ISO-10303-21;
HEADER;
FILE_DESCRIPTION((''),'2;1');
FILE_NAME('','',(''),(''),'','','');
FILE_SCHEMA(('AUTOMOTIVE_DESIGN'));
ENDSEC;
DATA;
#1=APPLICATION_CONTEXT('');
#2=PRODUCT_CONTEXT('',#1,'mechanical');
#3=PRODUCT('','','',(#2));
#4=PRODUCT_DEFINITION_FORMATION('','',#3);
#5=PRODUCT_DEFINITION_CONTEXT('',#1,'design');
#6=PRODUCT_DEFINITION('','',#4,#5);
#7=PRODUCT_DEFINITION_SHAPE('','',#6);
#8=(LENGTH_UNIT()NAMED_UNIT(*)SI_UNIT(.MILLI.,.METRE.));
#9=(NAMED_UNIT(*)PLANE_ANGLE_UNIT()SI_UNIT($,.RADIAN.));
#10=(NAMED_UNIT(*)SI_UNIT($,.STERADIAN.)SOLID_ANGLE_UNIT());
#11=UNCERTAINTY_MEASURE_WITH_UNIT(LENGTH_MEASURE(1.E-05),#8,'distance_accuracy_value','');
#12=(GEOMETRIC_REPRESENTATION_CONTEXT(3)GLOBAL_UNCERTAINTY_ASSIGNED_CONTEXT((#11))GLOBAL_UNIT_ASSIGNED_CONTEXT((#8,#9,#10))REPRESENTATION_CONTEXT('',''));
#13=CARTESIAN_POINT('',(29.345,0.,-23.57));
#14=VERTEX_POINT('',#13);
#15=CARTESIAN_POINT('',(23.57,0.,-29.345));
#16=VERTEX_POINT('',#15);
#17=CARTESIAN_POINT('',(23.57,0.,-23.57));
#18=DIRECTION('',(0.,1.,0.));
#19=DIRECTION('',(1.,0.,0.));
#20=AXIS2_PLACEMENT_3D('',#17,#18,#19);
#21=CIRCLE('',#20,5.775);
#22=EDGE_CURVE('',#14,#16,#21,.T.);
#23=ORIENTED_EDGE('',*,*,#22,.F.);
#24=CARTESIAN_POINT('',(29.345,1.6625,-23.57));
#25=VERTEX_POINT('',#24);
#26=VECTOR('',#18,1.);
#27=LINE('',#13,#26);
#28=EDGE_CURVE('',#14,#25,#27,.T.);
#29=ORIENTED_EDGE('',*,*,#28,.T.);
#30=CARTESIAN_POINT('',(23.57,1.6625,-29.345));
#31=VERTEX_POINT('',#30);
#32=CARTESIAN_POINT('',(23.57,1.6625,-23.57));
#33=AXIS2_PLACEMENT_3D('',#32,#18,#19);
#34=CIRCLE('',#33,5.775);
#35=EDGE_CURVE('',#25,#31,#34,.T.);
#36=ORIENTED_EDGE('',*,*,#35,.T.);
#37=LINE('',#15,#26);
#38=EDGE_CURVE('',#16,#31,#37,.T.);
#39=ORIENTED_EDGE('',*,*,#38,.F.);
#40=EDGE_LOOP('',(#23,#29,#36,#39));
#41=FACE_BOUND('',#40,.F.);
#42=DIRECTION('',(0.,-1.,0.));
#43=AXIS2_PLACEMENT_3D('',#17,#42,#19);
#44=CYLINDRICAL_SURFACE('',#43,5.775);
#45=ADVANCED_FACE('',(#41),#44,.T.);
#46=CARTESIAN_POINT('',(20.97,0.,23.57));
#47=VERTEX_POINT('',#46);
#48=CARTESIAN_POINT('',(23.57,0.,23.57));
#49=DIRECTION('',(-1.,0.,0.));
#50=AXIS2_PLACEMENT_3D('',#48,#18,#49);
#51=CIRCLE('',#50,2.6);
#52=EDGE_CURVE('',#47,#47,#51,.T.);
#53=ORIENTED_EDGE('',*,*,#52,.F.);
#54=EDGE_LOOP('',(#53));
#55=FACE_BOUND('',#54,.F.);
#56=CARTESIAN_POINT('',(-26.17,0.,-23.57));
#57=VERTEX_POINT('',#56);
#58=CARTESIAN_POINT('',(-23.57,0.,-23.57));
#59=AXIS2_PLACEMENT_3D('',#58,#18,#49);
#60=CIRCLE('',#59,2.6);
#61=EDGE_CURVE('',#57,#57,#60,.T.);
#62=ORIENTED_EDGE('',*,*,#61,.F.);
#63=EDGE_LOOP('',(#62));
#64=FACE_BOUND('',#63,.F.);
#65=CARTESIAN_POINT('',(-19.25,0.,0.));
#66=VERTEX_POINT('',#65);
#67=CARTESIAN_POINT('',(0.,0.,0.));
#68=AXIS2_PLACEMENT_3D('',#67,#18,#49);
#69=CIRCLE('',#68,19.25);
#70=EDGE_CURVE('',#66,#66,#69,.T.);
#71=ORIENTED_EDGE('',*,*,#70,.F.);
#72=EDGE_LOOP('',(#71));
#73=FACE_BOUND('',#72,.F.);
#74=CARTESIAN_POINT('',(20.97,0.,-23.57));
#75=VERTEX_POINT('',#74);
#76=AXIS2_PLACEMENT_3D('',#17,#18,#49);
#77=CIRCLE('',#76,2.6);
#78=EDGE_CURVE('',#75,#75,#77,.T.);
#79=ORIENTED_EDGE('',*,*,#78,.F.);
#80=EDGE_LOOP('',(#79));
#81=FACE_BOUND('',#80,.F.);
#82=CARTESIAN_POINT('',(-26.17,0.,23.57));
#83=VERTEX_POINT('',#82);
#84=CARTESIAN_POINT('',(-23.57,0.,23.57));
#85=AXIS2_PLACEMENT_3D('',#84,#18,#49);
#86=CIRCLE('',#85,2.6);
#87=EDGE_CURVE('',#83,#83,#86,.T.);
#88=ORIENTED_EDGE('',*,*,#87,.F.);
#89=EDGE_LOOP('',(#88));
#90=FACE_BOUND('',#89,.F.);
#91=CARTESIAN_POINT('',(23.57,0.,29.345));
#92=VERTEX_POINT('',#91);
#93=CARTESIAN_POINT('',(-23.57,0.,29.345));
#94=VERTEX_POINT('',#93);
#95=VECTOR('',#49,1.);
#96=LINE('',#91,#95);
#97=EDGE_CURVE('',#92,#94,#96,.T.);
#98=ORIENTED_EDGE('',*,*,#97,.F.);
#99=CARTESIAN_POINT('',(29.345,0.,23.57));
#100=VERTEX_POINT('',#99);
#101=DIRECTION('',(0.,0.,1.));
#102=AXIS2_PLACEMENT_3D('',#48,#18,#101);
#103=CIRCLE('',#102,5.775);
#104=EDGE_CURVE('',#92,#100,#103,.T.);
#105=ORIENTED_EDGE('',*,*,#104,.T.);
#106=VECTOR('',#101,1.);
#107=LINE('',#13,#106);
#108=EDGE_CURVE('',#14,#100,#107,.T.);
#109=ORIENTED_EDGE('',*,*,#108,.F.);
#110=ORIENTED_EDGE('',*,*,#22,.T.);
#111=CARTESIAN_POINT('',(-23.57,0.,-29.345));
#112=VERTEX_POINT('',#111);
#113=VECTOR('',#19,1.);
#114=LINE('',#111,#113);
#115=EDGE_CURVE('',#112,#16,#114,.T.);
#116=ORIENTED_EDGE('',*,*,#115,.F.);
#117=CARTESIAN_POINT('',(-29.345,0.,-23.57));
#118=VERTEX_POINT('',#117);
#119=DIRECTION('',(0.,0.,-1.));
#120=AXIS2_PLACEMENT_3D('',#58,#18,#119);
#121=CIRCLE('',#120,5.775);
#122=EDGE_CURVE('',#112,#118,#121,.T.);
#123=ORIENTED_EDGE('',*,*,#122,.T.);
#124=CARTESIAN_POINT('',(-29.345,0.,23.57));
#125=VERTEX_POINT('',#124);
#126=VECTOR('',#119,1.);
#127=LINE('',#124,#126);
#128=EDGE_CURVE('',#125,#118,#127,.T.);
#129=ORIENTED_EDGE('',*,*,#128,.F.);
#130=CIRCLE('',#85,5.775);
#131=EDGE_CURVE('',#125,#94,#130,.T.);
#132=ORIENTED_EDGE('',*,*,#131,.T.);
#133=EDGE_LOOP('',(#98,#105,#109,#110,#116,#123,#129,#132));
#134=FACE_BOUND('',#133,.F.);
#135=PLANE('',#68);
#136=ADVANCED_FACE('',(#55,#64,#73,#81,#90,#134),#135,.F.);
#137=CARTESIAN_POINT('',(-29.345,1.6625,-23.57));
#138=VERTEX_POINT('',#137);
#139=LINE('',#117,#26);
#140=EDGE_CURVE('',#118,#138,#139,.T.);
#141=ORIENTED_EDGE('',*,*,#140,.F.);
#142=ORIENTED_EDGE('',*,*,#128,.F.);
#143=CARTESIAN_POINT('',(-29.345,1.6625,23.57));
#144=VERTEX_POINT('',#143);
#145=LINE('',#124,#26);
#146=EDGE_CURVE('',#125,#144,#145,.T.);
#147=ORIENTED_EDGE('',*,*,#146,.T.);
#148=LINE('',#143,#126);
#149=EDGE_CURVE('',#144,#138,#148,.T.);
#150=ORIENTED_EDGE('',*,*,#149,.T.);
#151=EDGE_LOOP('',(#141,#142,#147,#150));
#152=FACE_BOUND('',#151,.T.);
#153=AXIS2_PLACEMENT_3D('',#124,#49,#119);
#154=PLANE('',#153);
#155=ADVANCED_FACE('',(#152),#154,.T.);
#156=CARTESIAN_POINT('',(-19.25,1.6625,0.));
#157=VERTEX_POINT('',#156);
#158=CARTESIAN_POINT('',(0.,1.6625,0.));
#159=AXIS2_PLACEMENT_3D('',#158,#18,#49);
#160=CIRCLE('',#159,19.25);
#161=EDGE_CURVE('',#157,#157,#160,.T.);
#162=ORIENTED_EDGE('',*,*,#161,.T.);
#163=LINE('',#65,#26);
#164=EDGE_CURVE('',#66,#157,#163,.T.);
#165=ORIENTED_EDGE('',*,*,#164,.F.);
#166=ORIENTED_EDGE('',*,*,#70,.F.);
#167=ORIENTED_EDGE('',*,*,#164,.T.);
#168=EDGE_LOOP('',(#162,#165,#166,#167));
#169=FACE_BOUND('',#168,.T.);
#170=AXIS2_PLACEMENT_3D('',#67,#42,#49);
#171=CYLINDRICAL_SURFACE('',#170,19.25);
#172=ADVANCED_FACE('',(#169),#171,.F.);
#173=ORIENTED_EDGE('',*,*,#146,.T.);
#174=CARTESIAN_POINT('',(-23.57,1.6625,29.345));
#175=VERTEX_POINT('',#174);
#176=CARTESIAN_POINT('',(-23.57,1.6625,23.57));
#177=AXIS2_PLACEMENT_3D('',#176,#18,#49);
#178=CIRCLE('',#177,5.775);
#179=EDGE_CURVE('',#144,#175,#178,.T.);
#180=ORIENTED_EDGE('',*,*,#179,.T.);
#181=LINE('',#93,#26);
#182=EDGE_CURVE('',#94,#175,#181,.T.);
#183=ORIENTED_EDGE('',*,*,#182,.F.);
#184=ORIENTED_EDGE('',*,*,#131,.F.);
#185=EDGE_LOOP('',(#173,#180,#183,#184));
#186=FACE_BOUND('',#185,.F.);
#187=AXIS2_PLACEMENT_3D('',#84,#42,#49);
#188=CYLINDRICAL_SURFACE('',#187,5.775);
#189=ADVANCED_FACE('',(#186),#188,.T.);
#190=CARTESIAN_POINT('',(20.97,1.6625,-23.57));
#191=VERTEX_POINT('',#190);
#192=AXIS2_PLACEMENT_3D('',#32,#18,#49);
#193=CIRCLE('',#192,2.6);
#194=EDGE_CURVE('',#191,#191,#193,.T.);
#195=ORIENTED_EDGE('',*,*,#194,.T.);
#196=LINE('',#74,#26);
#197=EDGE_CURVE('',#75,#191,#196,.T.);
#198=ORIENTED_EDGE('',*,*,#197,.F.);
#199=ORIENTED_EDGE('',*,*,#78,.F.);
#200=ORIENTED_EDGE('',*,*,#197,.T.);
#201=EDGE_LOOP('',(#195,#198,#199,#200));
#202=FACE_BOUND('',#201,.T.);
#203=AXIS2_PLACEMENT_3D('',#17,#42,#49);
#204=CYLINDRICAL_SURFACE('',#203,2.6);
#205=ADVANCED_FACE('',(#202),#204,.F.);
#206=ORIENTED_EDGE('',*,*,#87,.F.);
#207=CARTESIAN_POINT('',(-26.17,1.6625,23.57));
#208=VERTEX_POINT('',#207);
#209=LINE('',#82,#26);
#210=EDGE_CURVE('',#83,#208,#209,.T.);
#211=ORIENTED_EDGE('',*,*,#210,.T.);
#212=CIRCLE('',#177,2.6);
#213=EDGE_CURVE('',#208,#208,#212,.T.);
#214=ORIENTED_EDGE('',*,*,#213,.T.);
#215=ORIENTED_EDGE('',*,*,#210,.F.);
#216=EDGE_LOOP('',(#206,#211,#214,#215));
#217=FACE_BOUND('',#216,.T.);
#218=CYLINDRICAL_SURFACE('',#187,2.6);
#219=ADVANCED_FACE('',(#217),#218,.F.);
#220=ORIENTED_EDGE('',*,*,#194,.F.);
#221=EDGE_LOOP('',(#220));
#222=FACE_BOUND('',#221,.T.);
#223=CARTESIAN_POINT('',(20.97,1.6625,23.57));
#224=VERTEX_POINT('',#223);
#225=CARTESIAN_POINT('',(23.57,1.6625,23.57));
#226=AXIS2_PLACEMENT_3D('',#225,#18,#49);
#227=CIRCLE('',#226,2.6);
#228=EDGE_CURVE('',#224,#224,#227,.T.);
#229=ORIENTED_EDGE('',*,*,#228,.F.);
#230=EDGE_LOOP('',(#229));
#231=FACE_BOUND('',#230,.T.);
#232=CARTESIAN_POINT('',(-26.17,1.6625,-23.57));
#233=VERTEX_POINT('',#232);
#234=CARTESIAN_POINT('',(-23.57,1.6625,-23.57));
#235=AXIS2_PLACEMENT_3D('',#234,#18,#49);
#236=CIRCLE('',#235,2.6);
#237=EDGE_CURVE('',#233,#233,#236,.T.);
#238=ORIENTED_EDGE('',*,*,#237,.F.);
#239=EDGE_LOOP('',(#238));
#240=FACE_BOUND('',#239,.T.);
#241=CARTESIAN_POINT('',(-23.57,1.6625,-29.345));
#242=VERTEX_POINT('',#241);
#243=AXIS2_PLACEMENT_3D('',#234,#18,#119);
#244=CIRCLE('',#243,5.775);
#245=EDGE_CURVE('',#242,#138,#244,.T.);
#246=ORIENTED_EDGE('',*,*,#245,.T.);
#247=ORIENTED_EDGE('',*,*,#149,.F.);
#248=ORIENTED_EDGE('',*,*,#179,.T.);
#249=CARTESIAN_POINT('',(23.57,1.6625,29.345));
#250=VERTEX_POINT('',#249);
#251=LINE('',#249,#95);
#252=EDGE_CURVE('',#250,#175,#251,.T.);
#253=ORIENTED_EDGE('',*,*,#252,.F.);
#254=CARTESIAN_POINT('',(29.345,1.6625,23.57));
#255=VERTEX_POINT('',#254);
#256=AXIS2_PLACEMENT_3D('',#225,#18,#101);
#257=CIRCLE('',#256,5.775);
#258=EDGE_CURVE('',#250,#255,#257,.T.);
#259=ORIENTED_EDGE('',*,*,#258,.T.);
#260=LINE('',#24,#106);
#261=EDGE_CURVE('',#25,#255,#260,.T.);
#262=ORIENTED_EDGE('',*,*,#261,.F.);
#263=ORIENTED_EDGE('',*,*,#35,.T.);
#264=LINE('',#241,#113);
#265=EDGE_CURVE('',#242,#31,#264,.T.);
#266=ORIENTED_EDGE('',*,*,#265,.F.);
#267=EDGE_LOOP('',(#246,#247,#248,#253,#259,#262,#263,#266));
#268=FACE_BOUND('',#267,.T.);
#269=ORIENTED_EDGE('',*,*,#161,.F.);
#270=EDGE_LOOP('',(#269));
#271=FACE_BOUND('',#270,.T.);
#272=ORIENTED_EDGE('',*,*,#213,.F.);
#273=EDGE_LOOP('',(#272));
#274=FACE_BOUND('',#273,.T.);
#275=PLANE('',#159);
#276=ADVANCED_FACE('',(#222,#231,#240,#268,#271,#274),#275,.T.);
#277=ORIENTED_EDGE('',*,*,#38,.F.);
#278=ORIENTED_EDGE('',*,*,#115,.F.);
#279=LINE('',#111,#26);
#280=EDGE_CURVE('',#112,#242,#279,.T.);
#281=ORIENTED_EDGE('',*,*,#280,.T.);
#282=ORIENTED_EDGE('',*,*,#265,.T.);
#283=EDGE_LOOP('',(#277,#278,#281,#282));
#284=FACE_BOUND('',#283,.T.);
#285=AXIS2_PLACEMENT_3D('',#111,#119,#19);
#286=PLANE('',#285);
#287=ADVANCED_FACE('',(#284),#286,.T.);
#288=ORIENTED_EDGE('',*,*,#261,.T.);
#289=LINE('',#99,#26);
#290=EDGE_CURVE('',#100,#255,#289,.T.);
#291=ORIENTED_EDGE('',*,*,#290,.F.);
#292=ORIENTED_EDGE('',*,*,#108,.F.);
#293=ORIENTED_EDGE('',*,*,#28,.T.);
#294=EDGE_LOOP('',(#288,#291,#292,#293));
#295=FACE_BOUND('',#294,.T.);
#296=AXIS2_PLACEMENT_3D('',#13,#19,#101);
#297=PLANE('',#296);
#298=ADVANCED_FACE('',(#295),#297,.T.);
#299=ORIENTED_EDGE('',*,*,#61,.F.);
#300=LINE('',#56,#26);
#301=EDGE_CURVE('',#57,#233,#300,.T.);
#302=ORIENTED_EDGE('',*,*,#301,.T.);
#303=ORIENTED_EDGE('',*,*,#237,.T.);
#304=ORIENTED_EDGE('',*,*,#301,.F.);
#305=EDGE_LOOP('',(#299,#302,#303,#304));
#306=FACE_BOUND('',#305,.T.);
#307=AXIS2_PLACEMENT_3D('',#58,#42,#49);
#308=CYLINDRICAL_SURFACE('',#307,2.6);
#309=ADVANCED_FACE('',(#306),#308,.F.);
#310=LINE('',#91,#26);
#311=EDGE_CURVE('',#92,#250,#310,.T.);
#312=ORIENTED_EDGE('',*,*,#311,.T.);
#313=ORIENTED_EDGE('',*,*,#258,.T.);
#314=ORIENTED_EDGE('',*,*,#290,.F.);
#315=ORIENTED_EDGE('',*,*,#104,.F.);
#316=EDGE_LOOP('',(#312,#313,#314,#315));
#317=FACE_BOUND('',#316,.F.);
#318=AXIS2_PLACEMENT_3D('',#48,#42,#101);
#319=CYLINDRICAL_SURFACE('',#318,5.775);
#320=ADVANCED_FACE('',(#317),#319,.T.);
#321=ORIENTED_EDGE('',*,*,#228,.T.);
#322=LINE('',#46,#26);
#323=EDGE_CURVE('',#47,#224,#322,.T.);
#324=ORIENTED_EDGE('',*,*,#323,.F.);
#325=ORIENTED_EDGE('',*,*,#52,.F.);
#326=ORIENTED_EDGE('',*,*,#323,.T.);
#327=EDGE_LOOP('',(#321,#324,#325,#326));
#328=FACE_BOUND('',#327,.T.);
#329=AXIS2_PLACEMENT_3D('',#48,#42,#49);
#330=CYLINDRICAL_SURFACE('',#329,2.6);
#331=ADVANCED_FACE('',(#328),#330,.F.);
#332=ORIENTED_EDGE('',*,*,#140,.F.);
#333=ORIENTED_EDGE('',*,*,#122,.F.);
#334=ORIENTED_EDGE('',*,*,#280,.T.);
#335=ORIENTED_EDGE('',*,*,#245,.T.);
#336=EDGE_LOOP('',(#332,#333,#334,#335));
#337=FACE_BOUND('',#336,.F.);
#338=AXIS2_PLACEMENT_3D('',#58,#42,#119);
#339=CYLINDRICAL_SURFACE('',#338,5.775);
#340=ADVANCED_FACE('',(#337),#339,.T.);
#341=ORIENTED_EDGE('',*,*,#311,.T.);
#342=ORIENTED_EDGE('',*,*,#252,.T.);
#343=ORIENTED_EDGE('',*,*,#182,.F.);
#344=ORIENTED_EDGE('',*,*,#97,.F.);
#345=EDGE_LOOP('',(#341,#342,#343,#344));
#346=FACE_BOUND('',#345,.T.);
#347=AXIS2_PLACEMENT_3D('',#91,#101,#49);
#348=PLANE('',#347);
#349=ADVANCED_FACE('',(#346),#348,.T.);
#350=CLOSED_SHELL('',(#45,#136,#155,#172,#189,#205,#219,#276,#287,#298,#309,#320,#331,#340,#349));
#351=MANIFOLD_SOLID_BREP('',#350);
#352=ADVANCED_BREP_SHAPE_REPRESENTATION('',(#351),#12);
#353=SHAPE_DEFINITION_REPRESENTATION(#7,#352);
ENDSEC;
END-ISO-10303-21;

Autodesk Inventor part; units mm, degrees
ref_plane "YZ Plane" through (0, 0, 0) normal (1, 0, 0) x (0, 1, 0)
ref_plane "XZ Plane" through (0, 0, 0) normal (0, 1, 0) x (-1, 0, 0)
ref_plane "XY Plane" through (0, 0, 0) normal (0, 0, 1) x (1, 0, 0)
sketch "Sketch1" plane through (0, 0, 0) normal (0, 1, 0) x (-1, 0, 0)
  circle A0 centre (0, 0) radius 19.25
  circle A1 centre (23.57, -23.57) radius 2.6
  circle A2 centre (23.57, 23.57) radius 2.6
  circle A3 centre (-23.57, 23.57) radius 2.6
  circle A4 centre (-23.57, -23.57) radius 2.6
  circle A5 centre (23.57, 23.57) radius 5.775 construction
  circle A6 centre (23.57, -23.57) radius 5.775 construction
  circle A7 centre (-23.57, -23.57) radius 5.775 construction
  circle A8 centre (-23.57, 23.57) radius 5.775 construction
  line L0 (29.345, 23.57) -> (29.345, -23.57)
  line L1 (23.57, -29.345) -> (-23.57, -29.345)
  line L2 (-29.345, -23.57) -> (-29.345, 23.57)
  line L3 (-23.57, 29.345) -> (23.57, 29.345)
  arc A9 (-29.345, -23.57) -> (-23.57, -29.345) centre (-23.57, -23.57) ccw
  arc A10 (-23.57, 29.345) -> (-29.345, 23.57) centre (-23.57, 23.57) ccw
  arc A11 (23.57, -29.345) -> (29.345, -23.57) centre (23.57, -23.57) ccw
  arc A12 (29.345, 23.57) -> (23.57, 29.345) centre (23.57, 23.57) ccw
  dimension "d0" = 38.5
  dimension "d1" = 5.2
  dimension "d2" = 23.57
  dimension "d3" = 23.57
  dimension "d4" = 23.57
  dimension "d5" = 23.57
  dimension "d6" = 3.175
extrude "Extrusion1" add sketch "Sketch1" along normal blind 1.6625
properties part number "CNC-004-Nema23Shim" material "ABS Plastic"
